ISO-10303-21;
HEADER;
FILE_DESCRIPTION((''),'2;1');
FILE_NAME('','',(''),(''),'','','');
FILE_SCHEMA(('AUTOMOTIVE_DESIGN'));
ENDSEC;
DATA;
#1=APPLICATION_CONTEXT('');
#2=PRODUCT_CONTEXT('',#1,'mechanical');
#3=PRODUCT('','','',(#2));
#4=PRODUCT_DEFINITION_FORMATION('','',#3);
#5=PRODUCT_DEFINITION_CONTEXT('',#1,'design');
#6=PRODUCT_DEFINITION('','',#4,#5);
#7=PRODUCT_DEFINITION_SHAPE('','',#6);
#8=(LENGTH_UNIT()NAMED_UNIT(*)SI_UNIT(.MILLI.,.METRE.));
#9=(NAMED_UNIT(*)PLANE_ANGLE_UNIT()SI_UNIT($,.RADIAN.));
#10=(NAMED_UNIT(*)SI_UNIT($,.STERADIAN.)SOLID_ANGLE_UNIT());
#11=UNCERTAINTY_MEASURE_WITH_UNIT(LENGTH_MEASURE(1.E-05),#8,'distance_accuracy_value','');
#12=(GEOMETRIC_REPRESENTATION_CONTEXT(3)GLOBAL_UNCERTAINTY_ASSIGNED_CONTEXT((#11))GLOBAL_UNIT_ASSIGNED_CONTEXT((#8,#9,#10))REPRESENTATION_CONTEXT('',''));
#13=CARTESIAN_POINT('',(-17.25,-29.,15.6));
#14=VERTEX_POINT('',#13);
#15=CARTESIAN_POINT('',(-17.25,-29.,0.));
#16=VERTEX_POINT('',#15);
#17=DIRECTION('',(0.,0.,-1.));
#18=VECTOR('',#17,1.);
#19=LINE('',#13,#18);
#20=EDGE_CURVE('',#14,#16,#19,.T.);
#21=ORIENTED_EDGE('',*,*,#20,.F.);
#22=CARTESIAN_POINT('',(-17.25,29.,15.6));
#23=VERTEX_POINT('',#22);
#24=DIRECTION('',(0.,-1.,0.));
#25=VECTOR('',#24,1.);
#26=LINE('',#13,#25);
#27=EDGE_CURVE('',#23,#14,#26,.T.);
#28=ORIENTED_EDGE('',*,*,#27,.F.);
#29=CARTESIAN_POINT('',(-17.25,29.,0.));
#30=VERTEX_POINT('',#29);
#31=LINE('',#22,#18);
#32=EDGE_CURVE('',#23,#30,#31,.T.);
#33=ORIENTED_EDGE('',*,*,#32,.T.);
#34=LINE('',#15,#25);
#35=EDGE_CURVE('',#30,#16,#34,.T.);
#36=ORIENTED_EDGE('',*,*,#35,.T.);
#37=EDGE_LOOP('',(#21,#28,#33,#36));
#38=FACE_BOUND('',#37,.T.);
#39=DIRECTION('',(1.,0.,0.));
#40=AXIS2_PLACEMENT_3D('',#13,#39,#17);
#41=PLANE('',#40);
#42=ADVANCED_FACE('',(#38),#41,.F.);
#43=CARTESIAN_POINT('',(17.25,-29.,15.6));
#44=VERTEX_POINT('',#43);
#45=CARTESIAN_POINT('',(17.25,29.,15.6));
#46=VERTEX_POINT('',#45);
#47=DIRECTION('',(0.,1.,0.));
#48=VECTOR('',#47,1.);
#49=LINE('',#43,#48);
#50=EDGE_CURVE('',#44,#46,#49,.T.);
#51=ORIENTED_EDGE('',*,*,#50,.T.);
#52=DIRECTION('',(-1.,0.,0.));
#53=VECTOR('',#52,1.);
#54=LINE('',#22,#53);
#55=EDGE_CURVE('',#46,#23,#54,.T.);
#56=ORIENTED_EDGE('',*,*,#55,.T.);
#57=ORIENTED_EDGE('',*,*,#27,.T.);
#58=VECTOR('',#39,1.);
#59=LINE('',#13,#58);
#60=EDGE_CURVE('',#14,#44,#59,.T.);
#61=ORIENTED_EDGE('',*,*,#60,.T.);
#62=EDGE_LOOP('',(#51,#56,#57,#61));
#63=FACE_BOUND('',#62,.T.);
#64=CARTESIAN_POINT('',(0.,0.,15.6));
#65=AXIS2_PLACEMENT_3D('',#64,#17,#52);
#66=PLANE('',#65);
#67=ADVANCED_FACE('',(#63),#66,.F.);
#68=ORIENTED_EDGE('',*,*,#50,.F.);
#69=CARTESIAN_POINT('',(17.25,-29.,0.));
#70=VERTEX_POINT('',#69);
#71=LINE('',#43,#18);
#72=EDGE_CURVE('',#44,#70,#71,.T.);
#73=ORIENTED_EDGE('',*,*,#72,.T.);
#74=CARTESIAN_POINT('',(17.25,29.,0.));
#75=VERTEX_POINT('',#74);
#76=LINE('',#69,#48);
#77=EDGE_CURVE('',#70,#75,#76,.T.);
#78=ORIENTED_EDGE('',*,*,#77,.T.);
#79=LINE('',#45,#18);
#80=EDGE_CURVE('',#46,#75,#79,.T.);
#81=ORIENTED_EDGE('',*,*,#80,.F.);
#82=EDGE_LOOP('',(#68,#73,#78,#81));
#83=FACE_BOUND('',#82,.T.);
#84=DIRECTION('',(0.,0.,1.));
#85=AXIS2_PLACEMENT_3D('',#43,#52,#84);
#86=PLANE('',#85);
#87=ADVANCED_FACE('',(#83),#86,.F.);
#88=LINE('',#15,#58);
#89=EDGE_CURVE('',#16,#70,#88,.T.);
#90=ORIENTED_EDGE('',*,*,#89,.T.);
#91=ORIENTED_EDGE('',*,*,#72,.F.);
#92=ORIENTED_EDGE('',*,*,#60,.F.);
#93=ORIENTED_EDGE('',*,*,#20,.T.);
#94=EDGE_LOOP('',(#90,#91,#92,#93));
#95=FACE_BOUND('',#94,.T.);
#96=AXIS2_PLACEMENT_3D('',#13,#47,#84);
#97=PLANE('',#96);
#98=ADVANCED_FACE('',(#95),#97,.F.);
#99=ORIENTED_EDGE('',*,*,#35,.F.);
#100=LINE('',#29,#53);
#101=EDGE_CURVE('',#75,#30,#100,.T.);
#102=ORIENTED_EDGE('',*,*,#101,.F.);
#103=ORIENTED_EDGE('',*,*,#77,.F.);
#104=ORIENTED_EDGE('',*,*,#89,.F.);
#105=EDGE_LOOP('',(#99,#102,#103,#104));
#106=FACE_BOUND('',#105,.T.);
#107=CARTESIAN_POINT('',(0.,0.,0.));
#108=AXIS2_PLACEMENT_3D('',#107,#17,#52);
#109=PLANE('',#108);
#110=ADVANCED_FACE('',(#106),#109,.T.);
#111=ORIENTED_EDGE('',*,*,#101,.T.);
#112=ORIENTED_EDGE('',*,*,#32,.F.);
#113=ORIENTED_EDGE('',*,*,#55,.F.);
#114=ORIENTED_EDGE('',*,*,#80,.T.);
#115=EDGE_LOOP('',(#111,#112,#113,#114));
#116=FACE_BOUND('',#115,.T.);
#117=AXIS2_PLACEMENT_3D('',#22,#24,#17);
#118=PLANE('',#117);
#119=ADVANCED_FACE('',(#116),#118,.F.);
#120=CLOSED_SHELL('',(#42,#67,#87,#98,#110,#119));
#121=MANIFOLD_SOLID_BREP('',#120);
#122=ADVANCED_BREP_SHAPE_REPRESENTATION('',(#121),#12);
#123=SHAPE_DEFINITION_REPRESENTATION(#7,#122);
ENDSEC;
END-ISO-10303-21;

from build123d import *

# Parameters (mm, degrees)
SKETCH1_W      = 34.5
SKETCH1_H      = 58
ENVELOPE_DEPTH = 15.6


with BuildPart() as part:
    # Sketch1 → Envelope (new body)
    with BuildSketch(Plane.XY):
        Rectangle(SKETCH1_W, SKETCH1_H)
    extrude(amount=ENVELOPE_DEPTH)


solid = part.part
